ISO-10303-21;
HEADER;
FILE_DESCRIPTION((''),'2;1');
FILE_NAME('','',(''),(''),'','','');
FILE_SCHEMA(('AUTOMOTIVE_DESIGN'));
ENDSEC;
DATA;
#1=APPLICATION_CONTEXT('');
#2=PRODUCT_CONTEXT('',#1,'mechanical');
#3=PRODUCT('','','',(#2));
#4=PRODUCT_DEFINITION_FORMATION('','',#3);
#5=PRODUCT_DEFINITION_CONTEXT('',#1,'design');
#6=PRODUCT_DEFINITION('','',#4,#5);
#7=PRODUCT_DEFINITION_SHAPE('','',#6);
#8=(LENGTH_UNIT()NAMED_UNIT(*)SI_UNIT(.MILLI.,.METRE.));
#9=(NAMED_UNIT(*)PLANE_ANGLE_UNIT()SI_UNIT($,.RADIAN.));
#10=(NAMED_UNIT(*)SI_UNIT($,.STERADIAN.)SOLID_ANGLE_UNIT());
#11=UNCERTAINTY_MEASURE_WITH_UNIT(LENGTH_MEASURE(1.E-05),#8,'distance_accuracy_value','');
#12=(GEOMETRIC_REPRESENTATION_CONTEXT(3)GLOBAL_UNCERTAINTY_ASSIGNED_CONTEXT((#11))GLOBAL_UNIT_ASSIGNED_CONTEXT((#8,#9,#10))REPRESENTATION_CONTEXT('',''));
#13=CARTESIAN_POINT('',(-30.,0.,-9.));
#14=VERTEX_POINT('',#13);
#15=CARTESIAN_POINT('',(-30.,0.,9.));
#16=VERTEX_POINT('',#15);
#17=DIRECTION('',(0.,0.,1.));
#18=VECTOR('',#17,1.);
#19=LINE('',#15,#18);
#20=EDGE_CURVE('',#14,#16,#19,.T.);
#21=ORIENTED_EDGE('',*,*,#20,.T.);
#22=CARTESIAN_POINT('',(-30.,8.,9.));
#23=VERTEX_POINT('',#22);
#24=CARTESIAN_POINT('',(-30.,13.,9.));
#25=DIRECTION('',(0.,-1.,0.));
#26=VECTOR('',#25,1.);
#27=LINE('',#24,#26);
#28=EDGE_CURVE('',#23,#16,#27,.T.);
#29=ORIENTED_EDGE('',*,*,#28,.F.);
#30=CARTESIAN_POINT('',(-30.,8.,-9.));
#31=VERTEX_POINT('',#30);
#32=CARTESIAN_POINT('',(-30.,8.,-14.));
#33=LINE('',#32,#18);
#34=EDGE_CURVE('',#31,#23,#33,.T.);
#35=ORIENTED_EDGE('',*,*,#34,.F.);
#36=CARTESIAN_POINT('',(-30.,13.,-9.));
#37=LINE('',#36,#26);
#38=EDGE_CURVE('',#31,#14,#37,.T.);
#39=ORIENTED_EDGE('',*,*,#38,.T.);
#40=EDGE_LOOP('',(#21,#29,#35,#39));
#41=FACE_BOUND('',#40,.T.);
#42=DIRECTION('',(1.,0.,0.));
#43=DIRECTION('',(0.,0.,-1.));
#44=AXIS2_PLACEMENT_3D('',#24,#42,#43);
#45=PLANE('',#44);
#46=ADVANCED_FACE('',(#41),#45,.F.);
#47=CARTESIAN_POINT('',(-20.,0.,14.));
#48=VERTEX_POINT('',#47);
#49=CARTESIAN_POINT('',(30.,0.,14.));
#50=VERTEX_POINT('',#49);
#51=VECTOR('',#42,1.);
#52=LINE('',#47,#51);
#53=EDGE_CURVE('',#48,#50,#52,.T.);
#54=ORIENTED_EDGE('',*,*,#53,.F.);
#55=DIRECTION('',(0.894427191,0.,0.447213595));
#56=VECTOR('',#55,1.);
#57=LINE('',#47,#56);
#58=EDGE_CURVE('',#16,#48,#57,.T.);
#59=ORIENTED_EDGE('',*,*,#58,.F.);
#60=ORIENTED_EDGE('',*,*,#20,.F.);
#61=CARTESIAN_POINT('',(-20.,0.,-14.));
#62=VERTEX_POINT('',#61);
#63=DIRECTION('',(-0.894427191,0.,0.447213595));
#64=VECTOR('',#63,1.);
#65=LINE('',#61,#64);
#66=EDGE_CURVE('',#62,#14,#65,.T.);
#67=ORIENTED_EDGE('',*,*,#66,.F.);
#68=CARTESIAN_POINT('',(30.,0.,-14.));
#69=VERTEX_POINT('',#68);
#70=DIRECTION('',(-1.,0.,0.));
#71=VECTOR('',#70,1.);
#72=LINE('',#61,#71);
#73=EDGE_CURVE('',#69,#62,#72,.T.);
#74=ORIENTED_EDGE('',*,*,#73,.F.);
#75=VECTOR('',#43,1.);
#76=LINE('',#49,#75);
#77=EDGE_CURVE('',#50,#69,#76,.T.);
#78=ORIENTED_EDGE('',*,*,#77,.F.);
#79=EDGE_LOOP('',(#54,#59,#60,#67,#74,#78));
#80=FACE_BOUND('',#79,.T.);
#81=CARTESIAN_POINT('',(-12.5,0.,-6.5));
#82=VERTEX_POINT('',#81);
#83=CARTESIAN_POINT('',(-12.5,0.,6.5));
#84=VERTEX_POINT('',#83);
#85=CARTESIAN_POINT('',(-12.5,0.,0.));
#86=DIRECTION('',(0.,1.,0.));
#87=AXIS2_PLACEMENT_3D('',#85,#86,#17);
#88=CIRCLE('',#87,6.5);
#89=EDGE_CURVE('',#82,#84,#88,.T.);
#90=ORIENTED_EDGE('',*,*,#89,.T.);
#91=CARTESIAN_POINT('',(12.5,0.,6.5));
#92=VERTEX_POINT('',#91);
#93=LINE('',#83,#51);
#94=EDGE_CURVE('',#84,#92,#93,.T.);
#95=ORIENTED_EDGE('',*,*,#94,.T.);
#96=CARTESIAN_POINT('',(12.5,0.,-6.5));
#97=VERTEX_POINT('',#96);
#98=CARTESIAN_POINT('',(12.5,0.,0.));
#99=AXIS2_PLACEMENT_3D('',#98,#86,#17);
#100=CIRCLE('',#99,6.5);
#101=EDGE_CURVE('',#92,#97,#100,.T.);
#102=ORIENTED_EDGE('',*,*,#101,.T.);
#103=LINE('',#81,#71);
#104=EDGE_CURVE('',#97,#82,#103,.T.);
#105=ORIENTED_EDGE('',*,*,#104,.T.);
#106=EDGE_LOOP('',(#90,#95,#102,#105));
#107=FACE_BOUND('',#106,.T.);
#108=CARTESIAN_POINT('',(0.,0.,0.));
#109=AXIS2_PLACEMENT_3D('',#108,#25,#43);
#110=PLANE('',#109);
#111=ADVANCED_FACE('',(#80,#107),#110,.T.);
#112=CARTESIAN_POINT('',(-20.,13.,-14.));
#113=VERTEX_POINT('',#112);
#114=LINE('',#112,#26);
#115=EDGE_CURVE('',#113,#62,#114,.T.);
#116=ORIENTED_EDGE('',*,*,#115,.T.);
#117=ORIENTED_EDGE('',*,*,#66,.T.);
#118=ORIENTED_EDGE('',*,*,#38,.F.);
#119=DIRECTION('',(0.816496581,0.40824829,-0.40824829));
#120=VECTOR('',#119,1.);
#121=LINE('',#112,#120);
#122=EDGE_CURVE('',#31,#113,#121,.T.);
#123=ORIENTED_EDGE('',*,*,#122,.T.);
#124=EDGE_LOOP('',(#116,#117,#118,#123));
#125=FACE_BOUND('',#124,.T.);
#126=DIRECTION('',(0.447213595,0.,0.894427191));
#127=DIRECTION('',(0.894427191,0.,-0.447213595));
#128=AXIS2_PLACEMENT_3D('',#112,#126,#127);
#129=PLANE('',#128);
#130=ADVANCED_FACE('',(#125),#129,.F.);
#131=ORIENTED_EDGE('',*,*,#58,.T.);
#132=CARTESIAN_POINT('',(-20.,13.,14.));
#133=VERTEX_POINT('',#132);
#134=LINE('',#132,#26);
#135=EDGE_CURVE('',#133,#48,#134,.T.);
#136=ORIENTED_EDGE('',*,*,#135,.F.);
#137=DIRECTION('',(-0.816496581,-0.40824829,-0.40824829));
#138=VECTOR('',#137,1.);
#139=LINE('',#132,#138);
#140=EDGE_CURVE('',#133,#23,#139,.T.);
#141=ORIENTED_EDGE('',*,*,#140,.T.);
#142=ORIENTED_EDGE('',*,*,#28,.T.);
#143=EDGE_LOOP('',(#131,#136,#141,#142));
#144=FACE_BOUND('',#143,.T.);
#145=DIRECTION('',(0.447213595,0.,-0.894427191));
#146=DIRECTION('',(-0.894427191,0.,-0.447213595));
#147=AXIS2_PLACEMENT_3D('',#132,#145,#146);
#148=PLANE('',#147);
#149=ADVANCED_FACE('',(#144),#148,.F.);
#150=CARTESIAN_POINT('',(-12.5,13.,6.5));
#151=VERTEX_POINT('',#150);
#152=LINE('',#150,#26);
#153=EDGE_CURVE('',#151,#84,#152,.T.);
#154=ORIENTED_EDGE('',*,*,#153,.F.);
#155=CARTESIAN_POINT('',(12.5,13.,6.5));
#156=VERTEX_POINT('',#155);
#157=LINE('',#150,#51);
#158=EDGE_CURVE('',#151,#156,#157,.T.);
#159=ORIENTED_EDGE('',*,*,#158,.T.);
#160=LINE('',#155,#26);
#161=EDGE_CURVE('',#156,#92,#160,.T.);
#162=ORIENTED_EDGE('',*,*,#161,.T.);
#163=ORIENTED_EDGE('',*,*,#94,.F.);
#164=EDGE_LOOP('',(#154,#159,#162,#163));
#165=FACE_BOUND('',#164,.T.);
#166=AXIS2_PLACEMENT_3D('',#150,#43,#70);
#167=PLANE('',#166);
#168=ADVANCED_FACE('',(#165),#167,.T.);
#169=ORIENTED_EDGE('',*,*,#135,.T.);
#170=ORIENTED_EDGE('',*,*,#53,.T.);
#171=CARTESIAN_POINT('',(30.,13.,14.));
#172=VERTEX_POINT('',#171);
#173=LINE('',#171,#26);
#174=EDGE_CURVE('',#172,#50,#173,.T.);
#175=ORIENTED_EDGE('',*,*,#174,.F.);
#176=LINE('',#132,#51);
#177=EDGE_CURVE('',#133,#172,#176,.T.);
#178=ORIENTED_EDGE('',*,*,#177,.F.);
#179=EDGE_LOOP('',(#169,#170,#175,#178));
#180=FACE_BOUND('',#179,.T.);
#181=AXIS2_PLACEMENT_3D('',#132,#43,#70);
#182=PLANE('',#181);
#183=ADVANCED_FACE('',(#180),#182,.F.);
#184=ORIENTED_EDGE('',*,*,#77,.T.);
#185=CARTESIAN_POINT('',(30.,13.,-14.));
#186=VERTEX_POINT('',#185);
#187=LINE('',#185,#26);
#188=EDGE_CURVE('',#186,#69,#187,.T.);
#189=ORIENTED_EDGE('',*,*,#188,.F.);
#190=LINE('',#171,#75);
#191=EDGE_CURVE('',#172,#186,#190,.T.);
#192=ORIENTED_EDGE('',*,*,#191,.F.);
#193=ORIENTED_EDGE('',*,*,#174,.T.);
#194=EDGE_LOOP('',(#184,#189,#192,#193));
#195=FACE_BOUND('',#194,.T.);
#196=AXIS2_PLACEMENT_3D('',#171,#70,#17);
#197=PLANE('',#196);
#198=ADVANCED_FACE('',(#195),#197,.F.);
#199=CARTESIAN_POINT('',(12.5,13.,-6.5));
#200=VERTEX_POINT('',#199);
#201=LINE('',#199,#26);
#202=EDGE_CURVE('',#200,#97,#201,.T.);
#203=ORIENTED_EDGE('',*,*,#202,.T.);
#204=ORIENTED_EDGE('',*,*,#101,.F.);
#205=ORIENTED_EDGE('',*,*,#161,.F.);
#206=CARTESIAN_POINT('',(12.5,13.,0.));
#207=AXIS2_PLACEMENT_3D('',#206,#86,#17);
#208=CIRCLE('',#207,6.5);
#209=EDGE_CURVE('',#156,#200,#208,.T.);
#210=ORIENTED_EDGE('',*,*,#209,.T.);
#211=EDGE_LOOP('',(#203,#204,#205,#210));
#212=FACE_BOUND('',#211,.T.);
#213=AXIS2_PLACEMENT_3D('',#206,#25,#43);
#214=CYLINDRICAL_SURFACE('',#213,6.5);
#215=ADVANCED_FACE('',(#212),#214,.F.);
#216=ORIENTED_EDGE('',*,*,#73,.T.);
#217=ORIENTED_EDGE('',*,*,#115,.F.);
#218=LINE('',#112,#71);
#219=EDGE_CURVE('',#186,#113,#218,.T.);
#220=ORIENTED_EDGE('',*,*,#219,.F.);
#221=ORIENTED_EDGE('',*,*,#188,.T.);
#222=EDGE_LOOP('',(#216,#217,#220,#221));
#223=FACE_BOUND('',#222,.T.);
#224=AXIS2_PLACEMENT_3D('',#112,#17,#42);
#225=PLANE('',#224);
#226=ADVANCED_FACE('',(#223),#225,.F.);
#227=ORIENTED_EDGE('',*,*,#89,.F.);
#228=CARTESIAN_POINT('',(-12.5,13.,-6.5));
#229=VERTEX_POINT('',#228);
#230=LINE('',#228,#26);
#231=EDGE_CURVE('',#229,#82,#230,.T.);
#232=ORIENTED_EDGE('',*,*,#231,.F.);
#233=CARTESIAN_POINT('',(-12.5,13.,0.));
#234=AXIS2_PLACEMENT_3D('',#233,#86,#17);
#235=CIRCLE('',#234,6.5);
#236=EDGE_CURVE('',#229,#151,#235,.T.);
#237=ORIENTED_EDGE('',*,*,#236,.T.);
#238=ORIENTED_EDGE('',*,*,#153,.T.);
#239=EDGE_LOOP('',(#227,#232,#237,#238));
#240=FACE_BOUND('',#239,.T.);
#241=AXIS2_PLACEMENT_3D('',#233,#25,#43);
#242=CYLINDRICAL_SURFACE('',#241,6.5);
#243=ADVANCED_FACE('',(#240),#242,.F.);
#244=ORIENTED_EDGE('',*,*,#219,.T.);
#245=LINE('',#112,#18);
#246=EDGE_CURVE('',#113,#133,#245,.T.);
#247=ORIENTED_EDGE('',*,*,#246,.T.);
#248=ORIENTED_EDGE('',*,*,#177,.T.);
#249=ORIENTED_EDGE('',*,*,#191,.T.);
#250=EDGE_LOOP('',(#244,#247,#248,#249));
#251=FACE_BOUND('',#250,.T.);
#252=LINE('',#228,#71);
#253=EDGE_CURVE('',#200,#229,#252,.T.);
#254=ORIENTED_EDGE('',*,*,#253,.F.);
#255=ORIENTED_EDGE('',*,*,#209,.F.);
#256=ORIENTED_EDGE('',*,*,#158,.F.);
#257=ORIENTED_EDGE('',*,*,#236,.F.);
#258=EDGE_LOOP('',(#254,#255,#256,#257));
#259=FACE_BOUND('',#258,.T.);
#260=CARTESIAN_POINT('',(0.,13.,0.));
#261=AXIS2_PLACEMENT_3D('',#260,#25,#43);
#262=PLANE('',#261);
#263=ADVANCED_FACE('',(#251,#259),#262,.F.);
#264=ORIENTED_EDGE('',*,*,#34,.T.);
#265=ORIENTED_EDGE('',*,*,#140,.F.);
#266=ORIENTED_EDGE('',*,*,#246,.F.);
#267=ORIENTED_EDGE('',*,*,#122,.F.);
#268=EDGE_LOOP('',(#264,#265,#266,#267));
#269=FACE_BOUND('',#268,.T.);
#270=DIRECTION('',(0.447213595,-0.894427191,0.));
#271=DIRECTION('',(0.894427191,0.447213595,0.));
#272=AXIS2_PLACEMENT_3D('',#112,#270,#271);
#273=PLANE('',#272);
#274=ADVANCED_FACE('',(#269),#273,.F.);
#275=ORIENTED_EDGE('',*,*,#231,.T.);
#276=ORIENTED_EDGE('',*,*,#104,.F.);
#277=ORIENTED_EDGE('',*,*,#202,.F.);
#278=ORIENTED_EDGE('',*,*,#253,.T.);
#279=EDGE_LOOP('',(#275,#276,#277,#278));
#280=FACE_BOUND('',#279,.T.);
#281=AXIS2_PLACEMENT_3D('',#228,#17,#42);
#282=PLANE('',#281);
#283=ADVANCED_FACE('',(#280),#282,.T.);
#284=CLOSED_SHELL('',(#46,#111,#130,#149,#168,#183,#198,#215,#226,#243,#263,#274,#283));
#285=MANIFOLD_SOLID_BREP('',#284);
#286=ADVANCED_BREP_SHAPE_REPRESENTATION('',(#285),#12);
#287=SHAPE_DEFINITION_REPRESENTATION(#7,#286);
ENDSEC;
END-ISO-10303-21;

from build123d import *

# Parameters (mm, degrees)
BOSS_EXTRUDE1_DEPTH = 13
CUT_EXTRUDE1_DEPTH  = 44.0464865


with BuildPart() as part:
    # Sketch1 → Boss-Extrude1 (new body)
    with BuildSketch(Plane(origin=(0, 0, 0), x_dir=(1, 0, 0), z_dir=(0, 1, 0))):
        Polygon((-20, -14), (30, -14), (30, 14), (-20, 14), (-30, 9), (-30, -9), align=None)
        with BuildLine():
            Line((-12.5, 6.5), (12.5, 6.5))
            ThreePointArc((12.5, 6.5), (19, 0), (12.5, -6.5))
            Line((12.5, -6.5), (-12.5, -6.5))
            ThreePointArc((-12.5, -6.5), (-19, 0), (-12.5, 6.5))
        make_face(mode=Mode.SUBTRACT)
    extrude(amount=BOSS_EXTRUDE1_DEPTH)

    # Sketch2 → Cut-Extrude1 (cut, through all)
    with BuildSketch(Plane.XY.offset(14)):
        Polygon((-30, 13), (-20, 13), (-30, 8), align=None)
    extrude(amount=-CUT_EXTRUDE1_DEPTH, mode=Mode.SUBTRACT)


solid = part.part
